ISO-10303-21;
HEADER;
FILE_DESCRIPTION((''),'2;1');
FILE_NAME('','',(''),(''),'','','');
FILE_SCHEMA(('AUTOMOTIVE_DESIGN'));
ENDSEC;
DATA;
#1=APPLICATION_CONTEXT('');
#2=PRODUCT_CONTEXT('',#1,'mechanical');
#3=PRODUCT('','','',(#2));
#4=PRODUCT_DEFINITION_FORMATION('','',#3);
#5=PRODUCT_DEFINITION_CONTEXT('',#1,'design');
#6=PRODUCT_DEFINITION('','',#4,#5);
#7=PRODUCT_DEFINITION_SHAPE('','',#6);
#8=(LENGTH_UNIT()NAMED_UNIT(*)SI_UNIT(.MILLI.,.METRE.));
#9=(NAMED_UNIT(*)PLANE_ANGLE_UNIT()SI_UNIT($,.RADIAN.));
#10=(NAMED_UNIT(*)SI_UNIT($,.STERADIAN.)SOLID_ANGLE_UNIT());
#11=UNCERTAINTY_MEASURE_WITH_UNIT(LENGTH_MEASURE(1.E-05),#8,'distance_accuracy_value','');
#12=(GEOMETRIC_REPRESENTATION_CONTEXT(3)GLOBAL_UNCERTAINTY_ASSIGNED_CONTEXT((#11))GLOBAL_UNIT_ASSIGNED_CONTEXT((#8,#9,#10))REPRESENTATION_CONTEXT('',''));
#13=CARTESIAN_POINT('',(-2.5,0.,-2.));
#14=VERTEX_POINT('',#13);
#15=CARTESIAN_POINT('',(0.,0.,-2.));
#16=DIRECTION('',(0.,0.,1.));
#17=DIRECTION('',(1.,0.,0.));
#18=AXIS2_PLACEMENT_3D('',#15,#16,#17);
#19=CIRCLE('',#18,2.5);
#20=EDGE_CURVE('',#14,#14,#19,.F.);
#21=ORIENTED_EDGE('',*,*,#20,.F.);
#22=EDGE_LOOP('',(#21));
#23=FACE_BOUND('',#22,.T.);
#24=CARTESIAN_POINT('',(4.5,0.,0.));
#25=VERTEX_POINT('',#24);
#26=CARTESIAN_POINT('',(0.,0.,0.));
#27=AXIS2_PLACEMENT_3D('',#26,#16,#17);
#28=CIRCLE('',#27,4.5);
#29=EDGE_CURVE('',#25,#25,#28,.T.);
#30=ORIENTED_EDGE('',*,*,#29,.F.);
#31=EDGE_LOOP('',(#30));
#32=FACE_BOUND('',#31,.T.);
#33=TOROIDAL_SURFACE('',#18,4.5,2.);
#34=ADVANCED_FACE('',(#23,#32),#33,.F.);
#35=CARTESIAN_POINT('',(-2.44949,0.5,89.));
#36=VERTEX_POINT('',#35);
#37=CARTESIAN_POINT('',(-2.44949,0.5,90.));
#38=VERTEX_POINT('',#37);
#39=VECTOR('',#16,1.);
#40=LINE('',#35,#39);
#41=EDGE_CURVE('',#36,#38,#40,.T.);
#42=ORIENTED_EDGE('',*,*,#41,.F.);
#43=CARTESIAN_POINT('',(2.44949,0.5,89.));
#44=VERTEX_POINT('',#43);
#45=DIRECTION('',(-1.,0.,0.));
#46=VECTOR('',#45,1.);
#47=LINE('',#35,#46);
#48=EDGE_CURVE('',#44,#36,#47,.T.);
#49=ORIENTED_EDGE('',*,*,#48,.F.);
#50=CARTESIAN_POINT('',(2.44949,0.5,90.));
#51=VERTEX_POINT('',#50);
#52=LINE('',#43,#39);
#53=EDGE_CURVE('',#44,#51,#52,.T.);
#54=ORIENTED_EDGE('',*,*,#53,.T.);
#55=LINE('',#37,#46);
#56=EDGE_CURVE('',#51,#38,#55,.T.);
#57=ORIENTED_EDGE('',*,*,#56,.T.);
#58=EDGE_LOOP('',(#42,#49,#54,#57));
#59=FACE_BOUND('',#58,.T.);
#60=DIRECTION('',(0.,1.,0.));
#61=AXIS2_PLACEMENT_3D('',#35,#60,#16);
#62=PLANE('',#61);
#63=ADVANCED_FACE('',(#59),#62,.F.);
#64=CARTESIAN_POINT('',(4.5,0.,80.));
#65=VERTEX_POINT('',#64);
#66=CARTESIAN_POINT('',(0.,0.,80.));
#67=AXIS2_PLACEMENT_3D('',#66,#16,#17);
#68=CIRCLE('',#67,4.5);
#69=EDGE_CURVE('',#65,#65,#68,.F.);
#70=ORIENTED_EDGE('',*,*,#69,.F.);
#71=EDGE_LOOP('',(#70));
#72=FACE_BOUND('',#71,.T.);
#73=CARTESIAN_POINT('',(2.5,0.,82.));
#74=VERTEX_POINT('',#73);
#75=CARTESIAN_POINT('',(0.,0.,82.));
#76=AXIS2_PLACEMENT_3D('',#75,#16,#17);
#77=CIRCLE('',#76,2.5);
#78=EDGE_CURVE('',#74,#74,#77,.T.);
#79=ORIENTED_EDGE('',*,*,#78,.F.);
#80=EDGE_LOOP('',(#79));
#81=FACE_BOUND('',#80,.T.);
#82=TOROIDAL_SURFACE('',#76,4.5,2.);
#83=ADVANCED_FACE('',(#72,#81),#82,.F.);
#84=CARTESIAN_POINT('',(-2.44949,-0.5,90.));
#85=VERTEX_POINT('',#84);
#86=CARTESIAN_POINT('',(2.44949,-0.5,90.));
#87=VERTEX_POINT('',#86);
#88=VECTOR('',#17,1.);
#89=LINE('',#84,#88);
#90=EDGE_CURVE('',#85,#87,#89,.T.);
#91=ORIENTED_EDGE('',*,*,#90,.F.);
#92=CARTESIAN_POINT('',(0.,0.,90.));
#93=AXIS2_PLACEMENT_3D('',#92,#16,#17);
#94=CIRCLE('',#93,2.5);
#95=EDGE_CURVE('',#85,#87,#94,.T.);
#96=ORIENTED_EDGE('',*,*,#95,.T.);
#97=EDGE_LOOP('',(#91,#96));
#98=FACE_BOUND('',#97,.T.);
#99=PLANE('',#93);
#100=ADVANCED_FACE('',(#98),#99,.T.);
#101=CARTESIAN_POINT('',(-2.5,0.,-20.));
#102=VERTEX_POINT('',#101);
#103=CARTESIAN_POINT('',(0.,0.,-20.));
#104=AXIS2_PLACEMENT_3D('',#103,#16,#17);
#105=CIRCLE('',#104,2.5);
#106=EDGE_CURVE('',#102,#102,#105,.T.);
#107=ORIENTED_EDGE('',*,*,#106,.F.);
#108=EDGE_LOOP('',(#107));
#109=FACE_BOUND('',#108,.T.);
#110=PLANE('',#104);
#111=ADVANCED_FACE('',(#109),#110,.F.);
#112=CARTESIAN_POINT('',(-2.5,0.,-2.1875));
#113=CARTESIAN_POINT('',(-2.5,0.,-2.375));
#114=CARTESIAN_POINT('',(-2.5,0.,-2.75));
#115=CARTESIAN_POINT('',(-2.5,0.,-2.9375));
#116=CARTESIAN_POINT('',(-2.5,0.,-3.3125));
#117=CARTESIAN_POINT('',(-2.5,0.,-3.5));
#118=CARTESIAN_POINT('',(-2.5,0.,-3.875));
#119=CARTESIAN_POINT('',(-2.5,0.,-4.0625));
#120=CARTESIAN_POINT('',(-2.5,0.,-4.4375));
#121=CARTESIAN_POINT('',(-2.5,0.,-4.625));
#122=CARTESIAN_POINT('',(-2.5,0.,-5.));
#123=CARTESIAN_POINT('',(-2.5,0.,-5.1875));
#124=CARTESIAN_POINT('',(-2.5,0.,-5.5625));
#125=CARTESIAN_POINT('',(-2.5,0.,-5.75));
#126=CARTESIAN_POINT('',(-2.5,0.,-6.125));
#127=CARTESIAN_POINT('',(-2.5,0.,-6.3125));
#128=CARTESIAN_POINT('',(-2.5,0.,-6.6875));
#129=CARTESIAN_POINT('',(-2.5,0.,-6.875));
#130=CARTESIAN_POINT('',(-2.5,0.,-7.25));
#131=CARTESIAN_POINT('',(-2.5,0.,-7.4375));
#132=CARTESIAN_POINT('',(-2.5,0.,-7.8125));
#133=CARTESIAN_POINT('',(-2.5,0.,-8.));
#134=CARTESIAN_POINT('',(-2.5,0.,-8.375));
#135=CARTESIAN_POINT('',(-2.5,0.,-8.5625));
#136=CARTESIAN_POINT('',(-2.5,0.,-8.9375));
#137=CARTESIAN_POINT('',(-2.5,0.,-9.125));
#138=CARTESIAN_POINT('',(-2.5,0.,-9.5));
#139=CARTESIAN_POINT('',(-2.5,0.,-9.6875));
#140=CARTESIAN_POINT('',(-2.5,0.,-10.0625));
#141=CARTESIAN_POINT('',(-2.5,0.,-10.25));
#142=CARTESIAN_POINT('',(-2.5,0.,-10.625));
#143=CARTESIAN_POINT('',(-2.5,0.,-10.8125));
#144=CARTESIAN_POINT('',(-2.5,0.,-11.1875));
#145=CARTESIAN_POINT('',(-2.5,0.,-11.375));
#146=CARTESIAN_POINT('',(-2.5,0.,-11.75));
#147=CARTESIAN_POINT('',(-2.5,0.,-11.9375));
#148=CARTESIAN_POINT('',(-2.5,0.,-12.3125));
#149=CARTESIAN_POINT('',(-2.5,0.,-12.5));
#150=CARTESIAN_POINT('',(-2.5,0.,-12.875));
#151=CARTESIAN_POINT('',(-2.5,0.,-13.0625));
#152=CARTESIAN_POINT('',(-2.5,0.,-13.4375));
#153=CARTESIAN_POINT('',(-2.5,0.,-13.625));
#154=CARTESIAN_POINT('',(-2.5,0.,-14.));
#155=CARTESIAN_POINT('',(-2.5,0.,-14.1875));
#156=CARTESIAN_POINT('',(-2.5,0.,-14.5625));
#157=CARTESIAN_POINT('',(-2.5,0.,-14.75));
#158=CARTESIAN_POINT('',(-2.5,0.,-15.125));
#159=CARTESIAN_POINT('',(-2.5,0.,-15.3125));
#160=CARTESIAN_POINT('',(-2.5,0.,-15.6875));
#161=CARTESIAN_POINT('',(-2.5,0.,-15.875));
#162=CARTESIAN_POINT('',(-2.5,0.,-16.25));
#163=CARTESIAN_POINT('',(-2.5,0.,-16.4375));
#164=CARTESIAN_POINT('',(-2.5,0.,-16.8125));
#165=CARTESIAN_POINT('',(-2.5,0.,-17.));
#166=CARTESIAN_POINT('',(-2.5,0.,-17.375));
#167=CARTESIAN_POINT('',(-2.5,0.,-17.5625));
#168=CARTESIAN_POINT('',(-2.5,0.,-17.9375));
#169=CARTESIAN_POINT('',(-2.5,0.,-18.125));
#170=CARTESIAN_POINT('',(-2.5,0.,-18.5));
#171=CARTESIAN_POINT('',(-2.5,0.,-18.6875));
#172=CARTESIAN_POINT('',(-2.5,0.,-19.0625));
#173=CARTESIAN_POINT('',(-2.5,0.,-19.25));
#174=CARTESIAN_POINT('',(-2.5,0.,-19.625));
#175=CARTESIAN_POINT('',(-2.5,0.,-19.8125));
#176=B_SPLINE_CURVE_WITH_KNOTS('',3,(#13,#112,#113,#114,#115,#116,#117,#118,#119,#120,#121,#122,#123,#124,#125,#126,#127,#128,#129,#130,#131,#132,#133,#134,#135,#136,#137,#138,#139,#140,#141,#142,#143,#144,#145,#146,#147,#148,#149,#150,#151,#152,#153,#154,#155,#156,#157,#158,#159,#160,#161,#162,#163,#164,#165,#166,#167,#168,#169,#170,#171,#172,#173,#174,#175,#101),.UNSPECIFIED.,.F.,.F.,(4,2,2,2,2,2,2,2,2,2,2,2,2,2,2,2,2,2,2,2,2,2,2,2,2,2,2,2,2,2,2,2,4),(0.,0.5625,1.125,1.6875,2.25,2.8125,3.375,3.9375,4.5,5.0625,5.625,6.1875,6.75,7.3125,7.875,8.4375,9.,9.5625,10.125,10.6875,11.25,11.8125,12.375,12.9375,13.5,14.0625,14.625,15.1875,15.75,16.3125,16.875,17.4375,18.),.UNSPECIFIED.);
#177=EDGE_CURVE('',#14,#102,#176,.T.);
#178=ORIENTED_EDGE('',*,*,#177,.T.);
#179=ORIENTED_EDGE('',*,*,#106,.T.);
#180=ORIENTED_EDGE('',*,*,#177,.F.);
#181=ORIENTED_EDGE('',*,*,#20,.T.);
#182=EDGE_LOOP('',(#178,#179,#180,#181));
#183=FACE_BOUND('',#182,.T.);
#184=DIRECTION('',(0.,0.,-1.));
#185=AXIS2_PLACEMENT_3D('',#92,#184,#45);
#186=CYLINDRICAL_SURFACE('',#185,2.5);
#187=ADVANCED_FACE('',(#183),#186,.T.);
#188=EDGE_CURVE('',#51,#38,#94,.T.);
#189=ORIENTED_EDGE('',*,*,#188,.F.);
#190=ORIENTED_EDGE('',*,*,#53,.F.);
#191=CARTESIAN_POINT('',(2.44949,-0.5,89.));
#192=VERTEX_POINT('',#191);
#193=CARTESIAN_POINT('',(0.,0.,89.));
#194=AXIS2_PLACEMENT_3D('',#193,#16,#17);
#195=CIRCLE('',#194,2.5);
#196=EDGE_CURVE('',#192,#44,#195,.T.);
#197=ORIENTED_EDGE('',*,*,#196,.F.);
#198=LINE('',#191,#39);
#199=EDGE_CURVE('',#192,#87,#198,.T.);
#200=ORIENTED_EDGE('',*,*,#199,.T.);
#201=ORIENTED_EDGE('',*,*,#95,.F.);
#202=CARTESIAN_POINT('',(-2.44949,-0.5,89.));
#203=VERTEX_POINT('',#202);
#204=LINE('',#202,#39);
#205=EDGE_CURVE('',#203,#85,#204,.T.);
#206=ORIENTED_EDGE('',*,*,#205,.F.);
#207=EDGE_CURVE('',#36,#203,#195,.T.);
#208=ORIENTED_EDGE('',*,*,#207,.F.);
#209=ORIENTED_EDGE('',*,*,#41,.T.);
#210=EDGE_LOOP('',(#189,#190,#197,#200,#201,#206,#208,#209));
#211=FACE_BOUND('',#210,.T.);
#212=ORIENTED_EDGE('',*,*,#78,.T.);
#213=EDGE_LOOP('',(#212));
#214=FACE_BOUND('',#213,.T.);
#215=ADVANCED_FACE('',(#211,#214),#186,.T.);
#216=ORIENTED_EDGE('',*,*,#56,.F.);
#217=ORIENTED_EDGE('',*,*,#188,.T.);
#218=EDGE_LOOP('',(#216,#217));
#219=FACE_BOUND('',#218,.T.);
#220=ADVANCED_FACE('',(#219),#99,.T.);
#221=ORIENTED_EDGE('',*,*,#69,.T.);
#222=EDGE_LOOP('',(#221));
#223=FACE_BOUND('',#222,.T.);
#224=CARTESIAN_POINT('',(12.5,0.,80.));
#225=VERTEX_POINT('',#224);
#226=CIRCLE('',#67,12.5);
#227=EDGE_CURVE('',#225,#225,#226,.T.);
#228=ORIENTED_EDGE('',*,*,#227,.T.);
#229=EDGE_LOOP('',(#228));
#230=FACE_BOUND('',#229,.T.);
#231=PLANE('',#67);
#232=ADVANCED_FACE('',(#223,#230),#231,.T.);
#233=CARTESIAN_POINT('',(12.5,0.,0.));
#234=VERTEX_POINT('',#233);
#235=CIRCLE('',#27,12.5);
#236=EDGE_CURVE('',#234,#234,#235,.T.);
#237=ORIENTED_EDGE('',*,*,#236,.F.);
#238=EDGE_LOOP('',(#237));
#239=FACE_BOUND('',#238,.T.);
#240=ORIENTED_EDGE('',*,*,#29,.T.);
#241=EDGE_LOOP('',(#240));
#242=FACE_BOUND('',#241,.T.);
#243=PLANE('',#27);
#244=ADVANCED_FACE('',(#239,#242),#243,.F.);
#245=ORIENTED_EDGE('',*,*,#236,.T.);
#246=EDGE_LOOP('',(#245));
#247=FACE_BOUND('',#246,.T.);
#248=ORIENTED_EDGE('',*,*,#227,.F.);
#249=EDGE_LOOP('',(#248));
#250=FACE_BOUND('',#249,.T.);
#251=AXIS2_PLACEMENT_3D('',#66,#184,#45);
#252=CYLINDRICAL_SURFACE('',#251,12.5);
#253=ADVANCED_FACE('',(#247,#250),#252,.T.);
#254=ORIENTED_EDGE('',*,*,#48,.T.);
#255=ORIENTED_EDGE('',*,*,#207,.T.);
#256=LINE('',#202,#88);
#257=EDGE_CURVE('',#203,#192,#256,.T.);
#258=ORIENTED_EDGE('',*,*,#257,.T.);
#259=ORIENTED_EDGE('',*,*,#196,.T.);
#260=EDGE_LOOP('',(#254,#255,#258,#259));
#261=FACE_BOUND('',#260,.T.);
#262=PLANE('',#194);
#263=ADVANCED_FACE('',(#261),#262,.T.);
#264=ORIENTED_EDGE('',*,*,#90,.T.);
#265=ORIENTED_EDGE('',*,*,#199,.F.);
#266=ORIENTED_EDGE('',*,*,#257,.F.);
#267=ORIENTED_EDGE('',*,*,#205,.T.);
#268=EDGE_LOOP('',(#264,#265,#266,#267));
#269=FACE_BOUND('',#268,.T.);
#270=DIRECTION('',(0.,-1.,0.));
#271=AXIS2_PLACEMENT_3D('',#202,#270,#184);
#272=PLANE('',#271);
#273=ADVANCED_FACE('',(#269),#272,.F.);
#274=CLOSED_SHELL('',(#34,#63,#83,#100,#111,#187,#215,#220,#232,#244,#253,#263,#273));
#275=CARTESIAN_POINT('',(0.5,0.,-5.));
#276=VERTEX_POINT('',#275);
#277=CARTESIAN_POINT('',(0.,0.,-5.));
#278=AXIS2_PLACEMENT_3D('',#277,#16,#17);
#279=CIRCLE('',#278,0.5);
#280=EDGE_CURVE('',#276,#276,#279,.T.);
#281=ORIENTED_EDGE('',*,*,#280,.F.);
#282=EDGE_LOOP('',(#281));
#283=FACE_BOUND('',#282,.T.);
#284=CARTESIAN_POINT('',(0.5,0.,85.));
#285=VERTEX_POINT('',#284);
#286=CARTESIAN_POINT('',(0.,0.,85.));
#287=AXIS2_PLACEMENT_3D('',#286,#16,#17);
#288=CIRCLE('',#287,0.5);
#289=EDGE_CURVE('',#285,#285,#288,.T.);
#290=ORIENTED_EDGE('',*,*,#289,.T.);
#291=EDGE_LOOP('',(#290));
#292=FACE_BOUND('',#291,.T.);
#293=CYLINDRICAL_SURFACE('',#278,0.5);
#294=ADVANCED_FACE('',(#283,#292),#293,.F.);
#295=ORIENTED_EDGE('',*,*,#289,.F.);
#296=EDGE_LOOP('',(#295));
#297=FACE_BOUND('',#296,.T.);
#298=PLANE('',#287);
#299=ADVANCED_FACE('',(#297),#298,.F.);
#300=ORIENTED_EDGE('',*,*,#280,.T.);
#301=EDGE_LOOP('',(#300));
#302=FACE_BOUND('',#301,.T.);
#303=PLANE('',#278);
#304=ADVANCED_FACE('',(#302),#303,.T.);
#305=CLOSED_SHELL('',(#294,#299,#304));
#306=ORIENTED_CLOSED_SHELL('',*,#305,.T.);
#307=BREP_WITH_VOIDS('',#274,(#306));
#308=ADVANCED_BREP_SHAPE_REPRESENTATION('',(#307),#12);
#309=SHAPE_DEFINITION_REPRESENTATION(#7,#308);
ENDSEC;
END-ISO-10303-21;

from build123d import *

# Parameters (mm, degrees)
ESQUISSE1_R             = 12.5
BOSS_EXTRU_1_DEPTH      = 80
BOSS_EXTRU_2_DEPTH      = 90
BOSS_EXTRU_2_DEPTH_BACK = 20
ESQUISSE2_R             = 2.5
CONG_1_R                = 2
CONG_2_R                = 2
ENL_V_START             = -5
ESQUISSE3_R             = 0.5
ENL_V_MAT_EXTRU_1_DEPTH = 90
ENL_V_MAT_EXTRU_3_DEPTH = 1


with BuildPart() as part:
    # Esquisse1 → Boss.-Extru.1 (new body)
    with BuildSketch(Plane.XY):
        Circle(ESQUISSE1_R)
    extrude(amount=BOSS_EXTRU_1_DEPTH)

    # Esquisse2 → Boss.-Extru.2 (add, two sides: drawn at the far end of the back side and taken through both)
    with BuildSketch(Plane.XY.offset(-BOSS_EXTRU_2_DEPTH_BACK)):
        with Locations(Location((0, 0, 0), (0, 0, 180))):
            Circle(ESQUISSE2_R)
    extrude(amount=BOSS_EXTRU_2_DEPTH + BOSS_EXTRU_2_DEPTH_BACK)

    # Congé1
    cong_1_edges = [part.edges().sort_by_distance(p)[0] for p in [
        (2.5, 0, 80),
    ]]
    fillet(cong_1_edges, radius=CONG_1_R)

    # Congé2
    cong_2_edges = [part.edges().sort_by_distance(p)[0] for p in [
        (2.5, 0, 0),
    ]]
    fillet(cong_2_edges, radius=CONG_2_R)

    # Esquisse3 → Enlèv. mat.-Extru.1 (cut)
    with BuildSketch(Plane.XY.offset(90).offset(ENL_V_START)):
        Circle(ESQUISSE3_R)
    extrude(amount=-ENL_V_MAT_EXTRU_1_DEPTH, mode=Mode.SUBTRACT)

    # Esquisse5 → Enlèv. mat.-Extru.3 (cut)
    with BuildSketch(Plane.XY.offset(90)):
        with BuildLine():
            Line((-2.449489743, -0.5), (2.449489743, -0.5))
            ThreePointArc((2.449489743, -0.5), (2.5, 0), (2.449489743, 0.5))
            Line((2.449489743, 0.5), (-2.449489743, 0.5))
            ThreePointArc((-2.449489743, 0.5), (-2.5, 0), (-2.449489743, -0.5))
        make_face()
    extrude(amount=-ENL_V_MAT_EXTRU_3_DEPTH, mode=Mode.SUBTRACT)


solid = part.part
